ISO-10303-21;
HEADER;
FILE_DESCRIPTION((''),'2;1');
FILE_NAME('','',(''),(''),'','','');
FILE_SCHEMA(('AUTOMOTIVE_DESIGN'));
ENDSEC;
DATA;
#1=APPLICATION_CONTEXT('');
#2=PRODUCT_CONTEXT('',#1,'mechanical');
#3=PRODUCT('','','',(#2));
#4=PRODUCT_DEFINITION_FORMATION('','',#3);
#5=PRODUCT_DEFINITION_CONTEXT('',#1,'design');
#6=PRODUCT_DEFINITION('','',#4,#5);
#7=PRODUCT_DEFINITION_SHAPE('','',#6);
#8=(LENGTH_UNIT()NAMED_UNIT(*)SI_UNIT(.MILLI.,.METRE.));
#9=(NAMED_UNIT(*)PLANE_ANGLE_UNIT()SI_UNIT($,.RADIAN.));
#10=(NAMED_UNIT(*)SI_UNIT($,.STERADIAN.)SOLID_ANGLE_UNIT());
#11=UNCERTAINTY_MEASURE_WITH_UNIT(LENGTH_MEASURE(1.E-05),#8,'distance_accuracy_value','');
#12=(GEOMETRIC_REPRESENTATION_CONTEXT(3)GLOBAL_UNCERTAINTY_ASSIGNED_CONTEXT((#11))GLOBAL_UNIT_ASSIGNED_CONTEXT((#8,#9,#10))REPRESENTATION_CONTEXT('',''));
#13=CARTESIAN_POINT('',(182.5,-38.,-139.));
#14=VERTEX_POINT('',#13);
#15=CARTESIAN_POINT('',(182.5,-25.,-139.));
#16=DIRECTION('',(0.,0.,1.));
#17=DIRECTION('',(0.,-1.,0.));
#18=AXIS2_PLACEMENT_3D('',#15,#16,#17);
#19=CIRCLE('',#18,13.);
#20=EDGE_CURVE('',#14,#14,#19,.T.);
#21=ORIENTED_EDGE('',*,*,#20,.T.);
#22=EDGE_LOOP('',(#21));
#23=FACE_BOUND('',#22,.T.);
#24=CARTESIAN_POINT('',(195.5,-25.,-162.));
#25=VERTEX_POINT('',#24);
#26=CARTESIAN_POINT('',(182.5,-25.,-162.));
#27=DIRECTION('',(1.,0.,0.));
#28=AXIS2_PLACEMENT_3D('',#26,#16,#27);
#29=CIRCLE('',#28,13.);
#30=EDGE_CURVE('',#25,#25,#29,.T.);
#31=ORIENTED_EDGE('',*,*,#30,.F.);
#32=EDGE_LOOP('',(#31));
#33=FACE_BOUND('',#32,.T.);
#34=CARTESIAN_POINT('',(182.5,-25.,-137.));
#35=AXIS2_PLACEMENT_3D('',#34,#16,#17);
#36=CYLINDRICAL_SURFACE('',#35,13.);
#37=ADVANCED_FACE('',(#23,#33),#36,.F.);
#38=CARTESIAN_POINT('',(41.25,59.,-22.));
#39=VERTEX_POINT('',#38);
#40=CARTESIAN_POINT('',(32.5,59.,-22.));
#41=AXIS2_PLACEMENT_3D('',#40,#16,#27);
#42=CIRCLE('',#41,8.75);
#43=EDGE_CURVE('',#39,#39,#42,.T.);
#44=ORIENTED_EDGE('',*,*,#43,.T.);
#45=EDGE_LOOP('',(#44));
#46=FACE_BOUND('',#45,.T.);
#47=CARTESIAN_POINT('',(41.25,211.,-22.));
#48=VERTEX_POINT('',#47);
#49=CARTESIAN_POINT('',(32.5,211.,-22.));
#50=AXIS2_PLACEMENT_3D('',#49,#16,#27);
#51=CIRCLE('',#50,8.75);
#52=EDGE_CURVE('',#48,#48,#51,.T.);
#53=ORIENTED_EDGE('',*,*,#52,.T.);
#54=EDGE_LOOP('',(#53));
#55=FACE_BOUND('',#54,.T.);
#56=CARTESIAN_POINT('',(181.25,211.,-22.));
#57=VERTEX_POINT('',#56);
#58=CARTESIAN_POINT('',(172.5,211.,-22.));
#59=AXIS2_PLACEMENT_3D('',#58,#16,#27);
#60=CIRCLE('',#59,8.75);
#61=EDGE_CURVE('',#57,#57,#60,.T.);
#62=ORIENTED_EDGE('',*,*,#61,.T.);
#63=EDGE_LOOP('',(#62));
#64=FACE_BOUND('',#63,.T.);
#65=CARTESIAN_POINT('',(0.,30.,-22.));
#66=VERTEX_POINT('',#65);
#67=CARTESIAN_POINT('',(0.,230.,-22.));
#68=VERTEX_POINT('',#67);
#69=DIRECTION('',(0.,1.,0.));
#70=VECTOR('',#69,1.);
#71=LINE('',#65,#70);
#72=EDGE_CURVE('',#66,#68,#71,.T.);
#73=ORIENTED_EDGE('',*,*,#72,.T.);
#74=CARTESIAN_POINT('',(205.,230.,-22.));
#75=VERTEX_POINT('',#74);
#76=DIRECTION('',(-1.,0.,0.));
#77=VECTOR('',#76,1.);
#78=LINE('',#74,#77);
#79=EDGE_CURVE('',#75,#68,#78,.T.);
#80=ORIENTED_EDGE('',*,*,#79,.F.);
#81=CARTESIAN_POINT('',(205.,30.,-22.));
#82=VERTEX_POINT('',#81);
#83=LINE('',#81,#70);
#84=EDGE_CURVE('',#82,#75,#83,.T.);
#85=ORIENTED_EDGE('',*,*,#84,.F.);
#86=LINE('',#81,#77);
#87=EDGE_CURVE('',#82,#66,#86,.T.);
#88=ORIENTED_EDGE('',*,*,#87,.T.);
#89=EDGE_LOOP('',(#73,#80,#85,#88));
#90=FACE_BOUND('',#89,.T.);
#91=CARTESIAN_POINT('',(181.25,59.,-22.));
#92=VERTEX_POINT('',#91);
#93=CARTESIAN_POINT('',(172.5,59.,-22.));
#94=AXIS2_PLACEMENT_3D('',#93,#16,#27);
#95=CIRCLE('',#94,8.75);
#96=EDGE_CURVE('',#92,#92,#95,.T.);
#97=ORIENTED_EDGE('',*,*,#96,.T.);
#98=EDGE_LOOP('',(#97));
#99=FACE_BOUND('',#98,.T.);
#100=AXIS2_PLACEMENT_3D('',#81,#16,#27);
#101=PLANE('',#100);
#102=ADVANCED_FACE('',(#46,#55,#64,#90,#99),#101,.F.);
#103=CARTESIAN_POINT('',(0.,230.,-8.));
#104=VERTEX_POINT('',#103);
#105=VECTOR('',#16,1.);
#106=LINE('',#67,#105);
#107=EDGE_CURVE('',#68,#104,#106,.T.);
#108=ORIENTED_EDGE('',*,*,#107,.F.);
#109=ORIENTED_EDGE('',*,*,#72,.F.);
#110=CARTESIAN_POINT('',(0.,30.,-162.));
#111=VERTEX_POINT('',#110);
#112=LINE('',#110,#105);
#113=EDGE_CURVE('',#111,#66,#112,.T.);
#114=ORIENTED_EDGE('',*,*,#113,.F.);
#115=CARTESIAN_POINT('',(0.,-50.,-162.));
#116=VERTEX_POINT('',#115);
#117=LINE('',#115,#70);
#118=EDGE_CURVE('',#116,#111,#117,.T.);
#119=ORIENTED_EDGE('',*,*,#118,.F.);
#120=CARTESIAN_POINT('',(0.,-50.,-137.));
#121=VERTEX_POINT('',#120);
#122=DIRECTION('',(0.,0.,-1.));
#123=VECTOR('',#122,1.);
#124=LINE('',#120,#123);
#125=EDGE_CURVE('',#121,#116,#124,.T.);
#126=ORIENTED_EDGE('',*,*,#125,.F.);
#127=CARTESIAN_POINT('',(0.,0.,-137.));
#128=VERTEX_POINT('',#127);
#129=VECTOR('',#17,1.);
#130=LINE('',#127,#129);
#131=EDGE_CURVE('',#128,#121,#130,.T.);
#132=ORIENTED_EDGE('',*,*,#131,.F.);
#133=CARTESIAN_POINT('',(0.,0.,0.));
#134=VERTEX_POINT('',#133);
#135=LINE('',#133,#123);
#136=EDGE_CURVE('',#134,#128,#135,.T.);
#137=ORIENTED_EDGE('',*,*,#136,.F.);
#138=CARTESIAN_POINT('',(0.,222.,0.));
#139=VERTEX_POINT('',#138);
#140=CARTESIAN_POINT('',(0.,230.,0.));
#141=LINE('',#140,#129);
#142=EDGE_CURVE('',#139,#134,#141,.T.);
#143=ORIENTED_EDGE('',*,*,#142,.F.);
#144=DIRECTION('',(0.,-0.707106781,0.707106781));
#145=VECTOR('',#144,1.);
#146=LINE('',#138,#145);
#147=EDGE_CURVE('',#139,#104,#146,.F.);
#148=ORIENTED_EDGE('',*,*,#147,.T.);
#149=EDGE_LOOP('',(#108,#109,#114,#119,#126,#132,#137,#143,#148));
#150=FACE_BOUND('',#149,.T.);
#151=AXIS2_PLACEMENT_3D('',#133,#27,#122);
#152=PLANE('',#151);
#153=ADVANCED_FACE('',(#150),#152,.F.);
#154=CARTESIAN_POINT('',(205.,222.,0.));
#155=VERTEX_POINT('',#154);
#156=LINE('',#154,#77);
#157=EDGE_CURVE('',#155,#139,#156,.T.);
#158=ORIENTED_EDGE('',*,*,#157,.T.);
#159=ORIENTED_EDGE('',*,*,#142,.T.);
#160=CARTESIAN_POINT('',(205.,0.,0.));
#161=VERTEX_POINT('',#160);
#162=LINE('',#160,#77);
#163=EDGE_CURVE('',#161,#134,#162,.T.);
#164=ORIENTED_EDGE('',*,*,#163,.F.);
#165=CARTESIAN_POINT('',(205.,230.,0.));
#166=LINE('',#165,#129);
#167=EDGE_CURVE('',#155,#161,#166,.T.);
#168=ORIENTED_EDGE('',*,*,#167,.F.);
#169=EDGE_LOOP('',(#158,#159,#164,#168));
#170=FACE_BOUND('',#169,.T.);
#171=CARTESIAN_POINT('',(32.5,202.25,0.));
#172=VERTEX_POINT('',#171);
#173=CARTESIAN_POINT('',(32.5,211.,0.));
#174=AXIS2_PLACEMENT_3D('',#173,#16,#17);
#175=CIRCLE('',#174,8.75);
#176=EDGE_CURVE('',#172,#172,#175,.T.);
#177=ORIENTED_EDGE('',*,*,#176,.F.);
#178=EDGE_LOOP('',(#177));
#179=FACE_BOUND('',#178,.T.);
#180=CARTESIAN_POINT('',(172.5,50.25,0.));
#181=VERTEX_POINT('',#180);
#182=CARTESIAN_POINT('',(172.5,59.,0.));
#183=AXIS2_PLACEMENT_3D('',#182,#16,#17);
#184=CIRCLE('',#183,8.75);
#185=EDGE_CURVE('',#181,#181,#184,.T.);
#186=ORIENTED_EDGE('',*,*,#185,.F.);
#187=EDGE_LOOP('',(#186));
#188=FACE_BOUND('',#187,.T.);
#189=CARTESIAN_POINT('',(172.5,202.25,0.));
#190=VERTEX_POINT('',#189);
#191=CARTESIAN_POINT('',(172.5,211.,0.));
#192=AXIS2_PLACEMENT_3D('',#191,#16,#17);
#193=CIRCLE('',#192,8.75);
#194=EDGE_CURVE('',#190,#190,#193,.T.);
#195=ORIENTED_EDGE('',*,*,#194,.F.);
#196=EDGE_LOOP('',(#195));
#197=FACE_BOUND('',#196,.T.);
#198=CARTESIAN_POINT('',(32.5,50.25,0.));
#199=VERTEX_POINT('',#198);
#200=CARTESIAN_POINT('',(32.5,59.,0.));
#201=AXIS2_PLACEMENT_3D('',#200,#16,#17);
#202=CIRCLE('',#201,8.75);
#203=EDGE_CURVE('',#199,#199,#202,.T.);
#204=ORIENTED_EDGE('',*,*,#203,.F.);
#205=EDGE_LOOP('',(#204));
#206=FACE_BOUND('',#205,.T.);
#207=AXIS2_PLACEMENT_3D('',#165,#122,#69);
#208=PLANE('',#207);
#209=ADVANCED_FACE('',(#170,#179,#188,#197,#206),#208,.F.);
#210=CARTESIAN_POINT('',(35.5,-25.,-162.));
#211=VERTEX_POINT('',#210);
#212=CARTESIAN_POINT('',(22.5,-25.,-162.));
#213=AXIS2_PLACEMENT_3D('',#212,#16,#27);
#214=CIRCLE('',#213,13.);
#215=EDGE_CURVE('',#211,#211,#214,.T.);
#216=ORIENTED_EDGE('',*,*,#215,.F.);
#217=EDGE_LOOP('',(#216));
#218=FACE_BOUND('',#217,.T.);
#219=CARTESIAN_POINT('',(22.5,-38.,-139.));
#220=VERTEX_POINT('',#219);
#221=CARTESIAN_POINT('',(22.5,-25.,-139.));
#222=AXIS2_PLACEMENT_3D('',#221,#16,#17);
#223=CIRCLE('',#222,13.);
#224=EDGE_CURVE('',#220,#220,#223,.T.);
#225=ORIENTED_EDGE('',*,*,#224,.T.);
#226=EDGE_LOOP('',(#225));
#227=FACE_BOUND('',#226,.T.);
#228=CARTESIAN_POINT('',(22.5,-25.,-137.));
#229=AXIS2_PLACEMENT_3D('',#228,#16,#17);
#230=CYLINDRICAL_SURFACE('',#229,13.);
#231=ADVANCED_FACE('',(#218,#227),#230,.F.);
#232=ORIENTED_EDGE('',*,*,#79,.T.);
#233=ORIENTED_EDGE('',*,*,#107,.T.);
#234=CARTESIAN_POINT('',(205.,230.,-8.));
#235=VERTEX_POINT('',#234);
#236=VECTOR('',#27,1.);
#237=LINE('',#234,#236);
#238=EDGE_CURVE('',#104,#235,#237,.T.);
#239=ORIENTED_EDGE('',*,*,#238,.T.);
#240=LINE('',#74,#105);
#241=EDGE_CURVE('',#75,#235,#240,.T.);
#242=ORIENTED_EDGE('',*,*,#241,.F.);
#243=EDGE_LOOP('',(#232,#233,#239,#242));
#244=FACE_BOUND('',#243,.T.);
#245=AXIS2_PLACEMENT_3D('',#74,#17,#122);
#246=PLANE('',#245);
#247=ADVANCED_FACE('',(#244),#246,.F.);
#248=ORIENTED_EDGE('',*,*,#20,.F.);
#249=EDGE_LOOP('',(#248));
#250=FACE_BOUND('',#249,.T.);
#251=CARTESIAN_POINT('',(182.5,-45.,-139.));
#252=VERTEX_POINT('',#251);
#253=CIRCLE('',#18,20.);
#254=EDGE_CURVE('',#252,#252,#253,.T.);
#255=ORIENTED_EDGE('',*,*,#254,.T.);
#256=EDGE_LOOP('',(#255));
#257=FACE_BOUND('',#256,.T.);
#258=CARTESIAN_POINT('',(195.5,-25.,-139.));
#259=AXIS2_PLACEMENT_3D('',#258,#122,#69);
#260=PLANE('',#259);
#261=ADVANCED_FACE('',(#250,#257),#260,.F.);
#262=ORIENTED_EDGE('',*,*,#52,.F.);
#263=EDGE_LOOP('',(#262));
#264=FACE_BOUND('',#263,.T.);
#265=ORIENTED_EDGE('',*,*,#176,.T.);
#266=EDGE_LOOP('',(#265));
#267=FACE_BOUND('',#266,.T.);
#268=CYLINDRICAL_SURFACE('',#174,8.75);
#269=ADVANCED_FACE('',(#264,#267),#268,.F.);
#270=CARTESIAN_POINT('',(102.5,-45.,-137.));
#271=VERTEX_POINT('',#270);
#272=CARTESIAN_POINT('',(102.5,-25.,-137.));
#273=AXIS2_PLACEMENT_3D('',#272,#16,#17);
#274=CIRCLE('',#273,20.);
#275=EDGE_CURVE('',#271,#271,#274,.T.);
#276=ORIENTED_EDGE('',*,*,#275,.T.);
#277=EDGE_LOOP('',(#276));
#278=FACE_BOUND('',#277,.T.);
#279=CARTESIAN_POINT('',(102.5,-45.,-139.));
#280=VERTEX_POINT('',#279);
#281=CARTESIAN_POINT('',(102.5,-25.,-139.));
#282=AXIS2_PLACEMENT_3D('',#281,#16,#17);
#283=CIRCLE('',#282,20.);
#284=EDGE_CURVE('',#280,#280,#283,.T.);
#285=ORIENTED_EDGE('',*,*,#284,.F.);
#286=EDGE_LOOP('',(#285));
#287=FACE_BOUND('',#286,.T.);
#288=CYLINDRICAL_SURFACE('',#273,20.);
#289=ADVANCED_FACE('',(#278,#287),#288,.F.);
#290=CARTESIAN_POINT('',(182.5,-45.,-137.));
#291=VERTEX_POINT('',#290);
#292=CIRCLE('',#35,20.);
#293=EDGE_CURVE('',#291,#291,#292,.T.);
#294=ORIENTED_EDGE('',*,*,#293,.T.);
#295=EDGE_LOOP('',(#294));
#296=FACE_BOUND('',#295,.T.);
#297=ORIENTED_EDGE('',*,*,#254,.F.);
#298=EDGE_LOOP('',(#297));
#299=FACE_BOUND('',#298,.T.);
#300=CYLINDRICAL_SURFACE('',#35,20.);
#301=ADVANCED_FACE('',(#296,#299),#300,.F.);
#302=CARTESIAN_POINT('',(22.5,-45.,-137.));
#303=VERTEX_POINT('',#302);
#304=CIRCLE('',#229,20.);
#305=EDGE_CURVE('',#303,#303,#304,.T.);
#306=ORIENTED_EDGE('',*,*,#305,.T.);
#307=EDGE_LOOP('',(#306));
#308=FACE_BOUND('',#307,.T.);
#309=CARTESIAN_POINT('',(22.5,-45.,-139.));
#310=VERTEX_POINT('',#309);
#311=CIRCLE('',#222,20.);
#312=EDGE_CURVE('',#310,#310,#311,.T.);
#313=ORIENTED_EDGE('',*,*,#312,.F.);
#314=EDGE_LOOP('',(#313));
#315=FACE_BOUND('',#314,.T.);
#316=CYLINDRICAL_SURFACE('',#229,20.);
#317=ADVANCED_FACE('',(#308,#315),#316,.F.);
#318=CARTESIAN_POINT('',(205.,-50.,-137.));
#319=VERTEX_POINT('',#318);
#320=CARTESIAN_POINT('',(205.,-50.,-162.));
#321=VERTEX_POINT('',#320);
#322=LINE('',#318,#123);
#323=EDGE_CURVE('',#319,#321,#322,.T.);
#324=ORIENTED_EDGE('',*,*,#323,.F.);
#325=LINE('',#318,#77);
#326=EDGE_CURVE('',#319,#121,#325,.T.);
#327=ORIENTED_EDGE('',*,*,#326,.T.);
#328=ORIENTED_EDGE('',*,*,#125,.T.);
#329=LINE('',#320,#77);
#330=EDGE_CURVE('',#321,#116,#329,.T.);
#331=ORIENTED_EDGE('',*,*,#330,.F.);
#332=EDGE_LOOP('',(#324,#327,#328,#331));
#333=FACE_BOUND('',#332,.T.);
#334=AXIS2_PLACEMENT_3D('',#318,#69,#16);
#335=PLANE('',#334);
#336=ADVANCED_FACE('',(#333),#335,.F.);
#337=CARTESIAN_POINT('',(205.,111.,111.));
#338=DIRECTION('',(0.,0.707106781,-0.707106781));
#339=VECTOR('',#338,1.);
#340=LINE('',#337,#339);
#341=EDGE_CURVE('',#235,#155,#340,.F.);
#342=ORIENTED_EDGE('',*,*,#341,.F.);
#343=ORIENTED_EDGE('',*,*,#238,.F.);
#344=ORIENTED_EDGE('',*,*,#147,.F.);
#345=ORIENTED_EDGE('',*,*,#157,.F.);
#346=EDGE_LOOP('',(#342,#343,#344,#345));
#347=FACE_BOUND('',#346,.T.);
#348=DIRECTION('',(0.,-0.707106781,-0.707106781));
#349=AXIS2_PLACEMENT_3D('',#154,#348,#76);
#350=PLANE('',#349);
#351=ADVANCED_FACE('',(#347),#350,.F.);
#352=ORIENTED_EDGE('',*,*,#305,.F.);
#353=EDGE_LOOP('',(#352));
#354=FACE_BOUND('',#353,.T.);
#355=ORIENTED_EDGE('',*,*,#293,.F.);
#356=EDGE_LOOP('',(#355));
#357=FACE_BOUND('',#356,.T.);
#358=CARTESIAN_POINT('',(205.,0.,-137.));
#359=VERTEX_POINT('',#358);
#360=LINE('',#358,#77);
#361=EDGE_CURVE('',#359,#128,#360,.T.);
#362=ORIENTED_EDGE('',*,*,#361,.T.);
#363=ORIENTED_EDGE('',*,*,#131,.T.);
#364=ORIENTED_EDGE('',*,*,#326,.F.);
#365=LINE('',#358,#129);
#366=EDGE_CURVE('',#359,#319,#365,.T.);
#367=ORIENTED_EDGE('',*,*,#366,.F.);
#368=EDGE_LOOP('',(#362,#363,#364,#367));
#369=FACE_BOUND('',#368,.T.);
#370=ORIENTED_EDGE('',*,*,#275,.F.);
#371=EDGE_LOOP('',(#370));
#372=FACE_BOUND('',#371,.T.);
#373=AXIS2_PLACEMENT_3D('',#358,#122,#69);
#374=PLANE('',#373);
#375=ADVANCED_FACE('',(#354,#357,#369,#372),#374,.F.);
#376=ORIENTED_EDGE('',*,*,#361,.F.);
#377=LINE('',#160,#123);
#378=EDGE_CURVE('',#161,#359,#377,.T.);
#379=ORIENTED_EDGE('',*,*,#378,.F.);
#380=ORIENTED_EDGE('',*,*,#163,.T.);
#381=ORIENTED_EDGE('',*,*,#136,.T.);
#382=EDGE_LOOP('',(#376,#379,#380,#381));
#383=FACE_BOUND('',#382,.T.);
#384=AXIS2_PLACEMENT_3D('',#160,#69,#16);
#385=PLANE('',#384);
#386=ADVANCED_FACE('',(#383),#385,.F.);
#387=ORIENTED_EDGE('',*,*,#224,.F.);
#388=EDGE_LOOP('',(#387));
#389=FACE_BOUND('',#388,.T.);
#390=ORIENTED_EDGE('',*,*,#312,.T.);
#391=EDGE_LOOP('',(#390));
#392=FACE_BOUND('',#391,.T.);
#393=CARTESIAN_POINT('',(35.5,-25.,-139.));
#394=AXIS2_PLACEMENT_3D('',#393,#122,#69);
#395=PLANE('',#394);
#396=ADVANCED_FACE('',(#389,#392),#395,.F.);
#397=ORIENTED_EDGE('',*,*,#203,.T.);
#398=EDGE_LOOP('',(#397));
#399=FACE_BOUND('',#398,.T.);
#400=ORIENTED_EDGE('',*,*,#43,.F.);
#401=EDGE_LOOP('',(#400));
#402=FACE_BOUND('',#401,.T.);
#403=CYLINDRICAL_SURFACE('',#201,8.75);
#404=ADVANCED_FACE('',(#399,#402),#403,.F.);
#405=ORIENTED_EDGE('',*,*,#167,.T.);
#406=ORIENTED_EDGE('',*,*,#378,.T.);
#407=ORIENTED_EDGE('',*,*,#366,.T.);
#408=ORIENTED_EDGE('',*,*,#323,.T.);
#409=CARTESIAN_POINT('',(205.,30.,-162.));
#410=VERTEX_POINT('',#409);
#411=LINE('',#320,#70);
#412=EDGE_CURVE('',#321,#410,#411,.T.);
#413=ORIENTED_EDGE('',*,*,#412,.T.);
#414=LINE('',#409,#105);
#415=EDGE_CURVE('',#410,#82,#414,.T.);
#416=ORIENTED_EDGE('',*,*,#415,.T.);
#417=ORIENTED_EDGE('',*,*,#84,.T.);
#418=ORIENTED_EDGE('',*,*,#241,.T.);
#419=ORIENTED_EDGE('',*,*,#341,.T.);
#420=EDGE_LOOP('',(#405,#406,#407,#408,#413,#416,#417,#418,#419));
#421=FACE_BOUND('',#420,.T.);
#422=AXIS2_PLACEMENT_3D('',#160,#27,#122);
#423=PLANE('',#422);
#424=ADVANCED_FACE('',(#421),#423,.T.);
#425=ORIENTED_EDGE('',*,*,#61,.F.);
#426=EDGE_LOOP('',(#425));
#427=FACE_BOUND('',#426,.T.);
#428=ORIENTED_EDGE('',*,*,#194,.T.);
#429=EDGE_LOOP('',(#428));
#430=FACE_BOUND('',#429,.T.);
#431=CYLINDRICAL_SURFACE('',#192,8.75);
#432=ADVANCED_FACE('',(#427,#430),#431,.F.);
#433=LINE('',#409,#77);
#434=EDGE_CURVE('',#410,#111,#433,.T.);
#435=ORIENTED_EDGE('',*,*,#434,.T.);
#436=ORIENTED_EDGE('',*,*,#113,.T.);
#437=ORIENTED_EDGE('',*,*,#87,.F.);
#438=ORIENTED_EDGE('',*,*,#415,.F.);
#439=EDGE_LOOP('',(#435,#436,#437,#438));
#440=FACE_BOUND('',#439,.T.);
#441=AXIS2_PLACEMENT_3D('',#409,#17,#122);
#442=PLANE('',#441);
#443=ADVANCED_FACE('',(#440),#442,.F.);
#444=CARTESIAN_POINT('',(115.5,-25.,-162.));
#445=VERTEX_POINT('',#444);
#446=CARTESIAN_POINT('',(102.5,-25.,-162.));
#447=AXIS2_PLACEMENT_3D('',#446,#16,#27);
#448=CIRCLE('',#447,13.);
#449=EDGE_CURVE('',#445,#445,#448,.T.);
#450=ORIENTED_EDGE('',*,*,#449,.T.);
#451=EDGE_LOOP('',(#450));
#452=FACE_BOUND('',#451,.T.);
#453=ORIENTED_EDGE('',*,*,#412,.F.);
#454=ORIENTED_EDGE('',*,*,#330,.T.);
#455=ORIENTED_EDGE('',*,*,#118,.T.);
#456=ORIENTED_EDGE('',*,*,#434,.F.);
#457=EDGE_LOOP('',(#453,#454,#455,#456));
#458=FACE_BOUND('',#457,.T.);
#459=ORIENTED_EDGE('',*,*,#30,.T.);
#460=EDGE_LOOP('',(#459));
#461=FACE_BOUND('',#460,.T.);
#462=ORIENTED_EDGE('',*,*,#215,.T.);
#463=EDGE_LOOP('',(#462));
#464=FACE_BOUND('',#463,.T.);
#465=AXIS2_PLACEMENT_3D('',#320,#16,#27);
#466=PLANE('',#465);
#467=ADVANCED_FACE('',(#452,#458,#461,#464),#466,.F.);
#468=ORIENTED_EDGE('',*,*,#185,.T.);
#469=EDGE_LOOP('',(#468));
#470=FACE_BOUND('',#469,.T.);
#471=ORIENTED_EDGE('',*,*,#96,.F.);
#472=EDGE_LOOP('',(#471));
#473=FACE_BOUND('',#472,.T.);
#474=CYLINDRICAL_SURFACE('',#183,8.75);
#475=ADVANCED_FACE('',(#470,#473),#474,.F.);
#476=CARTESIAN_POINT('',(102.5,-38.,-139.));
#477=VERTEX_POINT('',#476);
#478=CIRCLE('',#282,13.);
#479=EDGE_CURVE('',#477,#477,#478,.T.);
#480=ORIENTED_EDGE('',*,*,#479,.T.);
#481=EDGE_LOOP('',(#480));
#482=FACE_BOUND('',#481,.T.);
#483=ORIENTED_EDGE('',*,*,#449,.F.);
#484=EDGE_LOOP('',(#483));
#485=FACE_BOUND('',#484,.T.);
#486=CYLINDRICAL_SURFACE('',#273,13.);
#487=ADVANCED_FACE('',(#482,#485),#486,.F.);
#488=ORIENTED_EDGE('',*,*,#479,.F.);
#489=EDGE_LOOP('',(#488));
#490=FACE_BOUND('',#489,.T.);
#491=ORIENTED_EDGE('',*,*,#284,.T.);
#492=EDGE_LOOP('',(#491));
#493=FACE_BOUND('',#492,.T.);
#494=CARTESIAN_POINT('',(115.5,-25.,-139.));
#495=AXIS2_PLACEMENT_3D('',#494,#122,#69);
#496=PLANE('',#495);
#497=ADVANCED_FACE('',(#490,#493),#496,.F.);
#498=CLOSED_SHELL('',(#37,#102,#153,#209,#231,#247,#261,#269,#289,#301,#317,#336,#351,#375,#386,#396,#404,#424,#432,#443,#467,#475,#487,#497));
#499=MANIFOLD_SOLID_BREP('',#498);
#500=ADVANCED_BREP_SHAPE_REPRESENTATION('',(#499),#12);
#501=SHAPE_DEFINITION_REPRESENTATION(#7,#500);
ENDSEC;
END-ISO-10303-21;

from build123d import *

# Parameters (mm, degrees)
EXTRUDE_1_DEPTH                 = 205
HOLE_WIZARD_M20_1_D             = 17.5
PATTERN_LINEAR_1_COUNT          = 2
PATTERN_LINEAR_1_PITCH          = 140
PATTERN_LINEAR_1_COUNT_DIR2     = 2
PATTERN_LINEAR_1_PITCH_DIR2     = 152
HOLE_WIZARD_M20_1_2_D           = 26
HOLE_WIZARD_M20_1_2_CBORE_D     = 40
HOLE_WIZARD_M20_1_2_CBORE_DEPTH = 2
PATTERN_LINEAR_2_COUNT          = 3
PATTERN_LINEAR_2_PITCH          = 80
CHAMFER_1_SIZE                  = 8


with BuildPart() as part:
    # 草图1 → 凸台-拉伸1 (new body)
    with BuildSketch(Plane(origin=(0, 0, 0), x_dir=(0, 0, -1), z_dir=(1, 0, 0))):
        Polygon((0, 0), (137, 0), (137, -50), (162, -50), (162, 30), (22, 30), (22, 230), (0, 230), align=None)
    extrude(amount=EXTRUDE_1_DEPTH)

    # Hole Wizard M20 _1 (through all)
    with Locations(Plane(origin=(32.5, 211, 0), x_dir=(1, 0, 0), z_dir=(0, 0, 1))):
        with Locations((0, 0)):
            hole_wizard_m20_1 = Hole(HOLE_WIZARD_M20_1_D / 2)

    # 阵列(线性)1: Hole Wizard M20 _1 2 × 2
    with Locations(*[(i * PATTERN_LINEAR_1_PITCH, -j * PATTERN_LINEAR_1_PITCH_DIR2, 0) for i in range(PATTERN_LINEAR_1_COUNT) for j in range(PATTERN_LINEAR_1_COUNT_DIR2) if (i, j) != (0, 0)]):
        add(hole_wizard_m20_1, mode=Mode.SUBTRACT)

    # Hole Wizard M20 _1 2 (through all)
    with Locations(Plane(origin=(22.5, -25, -137), x_dir=(0, 1, 0), z_dir=(0, 0, 1))):
        with Locations((0, 0)):
            hole_wizard_m20_1_2 = CounterBoreHole(HOLE_WIZARD_M20_1_2_D / 2, HOLE_WIZARD_M20_1_2_CBORE_D / 2, HOLE_WIZARD_M20_1_2_CBORE_DEPTH)

    # 阵列(线性)2: Hole Wizard M20 _1 2 ×3
    with Locations(*[(i * PATTERN_LINEAR_2_PITCH, 0, 0) for i in range(1, PATTERN_LINEAR_2_COUNT)]):
        add(hole_wizard_m20_1_2, mode=Mode.SUBTRACT)

    # 倒角1
    chamfer_1_edges = [part.edges().sort_by_distance(p)[0] for p in [
        (102.5, 230, 0),
    ]]
    chamfer(chamfer_1_edges, length=CHAMFER_1_SIZE)


solid = part.part
